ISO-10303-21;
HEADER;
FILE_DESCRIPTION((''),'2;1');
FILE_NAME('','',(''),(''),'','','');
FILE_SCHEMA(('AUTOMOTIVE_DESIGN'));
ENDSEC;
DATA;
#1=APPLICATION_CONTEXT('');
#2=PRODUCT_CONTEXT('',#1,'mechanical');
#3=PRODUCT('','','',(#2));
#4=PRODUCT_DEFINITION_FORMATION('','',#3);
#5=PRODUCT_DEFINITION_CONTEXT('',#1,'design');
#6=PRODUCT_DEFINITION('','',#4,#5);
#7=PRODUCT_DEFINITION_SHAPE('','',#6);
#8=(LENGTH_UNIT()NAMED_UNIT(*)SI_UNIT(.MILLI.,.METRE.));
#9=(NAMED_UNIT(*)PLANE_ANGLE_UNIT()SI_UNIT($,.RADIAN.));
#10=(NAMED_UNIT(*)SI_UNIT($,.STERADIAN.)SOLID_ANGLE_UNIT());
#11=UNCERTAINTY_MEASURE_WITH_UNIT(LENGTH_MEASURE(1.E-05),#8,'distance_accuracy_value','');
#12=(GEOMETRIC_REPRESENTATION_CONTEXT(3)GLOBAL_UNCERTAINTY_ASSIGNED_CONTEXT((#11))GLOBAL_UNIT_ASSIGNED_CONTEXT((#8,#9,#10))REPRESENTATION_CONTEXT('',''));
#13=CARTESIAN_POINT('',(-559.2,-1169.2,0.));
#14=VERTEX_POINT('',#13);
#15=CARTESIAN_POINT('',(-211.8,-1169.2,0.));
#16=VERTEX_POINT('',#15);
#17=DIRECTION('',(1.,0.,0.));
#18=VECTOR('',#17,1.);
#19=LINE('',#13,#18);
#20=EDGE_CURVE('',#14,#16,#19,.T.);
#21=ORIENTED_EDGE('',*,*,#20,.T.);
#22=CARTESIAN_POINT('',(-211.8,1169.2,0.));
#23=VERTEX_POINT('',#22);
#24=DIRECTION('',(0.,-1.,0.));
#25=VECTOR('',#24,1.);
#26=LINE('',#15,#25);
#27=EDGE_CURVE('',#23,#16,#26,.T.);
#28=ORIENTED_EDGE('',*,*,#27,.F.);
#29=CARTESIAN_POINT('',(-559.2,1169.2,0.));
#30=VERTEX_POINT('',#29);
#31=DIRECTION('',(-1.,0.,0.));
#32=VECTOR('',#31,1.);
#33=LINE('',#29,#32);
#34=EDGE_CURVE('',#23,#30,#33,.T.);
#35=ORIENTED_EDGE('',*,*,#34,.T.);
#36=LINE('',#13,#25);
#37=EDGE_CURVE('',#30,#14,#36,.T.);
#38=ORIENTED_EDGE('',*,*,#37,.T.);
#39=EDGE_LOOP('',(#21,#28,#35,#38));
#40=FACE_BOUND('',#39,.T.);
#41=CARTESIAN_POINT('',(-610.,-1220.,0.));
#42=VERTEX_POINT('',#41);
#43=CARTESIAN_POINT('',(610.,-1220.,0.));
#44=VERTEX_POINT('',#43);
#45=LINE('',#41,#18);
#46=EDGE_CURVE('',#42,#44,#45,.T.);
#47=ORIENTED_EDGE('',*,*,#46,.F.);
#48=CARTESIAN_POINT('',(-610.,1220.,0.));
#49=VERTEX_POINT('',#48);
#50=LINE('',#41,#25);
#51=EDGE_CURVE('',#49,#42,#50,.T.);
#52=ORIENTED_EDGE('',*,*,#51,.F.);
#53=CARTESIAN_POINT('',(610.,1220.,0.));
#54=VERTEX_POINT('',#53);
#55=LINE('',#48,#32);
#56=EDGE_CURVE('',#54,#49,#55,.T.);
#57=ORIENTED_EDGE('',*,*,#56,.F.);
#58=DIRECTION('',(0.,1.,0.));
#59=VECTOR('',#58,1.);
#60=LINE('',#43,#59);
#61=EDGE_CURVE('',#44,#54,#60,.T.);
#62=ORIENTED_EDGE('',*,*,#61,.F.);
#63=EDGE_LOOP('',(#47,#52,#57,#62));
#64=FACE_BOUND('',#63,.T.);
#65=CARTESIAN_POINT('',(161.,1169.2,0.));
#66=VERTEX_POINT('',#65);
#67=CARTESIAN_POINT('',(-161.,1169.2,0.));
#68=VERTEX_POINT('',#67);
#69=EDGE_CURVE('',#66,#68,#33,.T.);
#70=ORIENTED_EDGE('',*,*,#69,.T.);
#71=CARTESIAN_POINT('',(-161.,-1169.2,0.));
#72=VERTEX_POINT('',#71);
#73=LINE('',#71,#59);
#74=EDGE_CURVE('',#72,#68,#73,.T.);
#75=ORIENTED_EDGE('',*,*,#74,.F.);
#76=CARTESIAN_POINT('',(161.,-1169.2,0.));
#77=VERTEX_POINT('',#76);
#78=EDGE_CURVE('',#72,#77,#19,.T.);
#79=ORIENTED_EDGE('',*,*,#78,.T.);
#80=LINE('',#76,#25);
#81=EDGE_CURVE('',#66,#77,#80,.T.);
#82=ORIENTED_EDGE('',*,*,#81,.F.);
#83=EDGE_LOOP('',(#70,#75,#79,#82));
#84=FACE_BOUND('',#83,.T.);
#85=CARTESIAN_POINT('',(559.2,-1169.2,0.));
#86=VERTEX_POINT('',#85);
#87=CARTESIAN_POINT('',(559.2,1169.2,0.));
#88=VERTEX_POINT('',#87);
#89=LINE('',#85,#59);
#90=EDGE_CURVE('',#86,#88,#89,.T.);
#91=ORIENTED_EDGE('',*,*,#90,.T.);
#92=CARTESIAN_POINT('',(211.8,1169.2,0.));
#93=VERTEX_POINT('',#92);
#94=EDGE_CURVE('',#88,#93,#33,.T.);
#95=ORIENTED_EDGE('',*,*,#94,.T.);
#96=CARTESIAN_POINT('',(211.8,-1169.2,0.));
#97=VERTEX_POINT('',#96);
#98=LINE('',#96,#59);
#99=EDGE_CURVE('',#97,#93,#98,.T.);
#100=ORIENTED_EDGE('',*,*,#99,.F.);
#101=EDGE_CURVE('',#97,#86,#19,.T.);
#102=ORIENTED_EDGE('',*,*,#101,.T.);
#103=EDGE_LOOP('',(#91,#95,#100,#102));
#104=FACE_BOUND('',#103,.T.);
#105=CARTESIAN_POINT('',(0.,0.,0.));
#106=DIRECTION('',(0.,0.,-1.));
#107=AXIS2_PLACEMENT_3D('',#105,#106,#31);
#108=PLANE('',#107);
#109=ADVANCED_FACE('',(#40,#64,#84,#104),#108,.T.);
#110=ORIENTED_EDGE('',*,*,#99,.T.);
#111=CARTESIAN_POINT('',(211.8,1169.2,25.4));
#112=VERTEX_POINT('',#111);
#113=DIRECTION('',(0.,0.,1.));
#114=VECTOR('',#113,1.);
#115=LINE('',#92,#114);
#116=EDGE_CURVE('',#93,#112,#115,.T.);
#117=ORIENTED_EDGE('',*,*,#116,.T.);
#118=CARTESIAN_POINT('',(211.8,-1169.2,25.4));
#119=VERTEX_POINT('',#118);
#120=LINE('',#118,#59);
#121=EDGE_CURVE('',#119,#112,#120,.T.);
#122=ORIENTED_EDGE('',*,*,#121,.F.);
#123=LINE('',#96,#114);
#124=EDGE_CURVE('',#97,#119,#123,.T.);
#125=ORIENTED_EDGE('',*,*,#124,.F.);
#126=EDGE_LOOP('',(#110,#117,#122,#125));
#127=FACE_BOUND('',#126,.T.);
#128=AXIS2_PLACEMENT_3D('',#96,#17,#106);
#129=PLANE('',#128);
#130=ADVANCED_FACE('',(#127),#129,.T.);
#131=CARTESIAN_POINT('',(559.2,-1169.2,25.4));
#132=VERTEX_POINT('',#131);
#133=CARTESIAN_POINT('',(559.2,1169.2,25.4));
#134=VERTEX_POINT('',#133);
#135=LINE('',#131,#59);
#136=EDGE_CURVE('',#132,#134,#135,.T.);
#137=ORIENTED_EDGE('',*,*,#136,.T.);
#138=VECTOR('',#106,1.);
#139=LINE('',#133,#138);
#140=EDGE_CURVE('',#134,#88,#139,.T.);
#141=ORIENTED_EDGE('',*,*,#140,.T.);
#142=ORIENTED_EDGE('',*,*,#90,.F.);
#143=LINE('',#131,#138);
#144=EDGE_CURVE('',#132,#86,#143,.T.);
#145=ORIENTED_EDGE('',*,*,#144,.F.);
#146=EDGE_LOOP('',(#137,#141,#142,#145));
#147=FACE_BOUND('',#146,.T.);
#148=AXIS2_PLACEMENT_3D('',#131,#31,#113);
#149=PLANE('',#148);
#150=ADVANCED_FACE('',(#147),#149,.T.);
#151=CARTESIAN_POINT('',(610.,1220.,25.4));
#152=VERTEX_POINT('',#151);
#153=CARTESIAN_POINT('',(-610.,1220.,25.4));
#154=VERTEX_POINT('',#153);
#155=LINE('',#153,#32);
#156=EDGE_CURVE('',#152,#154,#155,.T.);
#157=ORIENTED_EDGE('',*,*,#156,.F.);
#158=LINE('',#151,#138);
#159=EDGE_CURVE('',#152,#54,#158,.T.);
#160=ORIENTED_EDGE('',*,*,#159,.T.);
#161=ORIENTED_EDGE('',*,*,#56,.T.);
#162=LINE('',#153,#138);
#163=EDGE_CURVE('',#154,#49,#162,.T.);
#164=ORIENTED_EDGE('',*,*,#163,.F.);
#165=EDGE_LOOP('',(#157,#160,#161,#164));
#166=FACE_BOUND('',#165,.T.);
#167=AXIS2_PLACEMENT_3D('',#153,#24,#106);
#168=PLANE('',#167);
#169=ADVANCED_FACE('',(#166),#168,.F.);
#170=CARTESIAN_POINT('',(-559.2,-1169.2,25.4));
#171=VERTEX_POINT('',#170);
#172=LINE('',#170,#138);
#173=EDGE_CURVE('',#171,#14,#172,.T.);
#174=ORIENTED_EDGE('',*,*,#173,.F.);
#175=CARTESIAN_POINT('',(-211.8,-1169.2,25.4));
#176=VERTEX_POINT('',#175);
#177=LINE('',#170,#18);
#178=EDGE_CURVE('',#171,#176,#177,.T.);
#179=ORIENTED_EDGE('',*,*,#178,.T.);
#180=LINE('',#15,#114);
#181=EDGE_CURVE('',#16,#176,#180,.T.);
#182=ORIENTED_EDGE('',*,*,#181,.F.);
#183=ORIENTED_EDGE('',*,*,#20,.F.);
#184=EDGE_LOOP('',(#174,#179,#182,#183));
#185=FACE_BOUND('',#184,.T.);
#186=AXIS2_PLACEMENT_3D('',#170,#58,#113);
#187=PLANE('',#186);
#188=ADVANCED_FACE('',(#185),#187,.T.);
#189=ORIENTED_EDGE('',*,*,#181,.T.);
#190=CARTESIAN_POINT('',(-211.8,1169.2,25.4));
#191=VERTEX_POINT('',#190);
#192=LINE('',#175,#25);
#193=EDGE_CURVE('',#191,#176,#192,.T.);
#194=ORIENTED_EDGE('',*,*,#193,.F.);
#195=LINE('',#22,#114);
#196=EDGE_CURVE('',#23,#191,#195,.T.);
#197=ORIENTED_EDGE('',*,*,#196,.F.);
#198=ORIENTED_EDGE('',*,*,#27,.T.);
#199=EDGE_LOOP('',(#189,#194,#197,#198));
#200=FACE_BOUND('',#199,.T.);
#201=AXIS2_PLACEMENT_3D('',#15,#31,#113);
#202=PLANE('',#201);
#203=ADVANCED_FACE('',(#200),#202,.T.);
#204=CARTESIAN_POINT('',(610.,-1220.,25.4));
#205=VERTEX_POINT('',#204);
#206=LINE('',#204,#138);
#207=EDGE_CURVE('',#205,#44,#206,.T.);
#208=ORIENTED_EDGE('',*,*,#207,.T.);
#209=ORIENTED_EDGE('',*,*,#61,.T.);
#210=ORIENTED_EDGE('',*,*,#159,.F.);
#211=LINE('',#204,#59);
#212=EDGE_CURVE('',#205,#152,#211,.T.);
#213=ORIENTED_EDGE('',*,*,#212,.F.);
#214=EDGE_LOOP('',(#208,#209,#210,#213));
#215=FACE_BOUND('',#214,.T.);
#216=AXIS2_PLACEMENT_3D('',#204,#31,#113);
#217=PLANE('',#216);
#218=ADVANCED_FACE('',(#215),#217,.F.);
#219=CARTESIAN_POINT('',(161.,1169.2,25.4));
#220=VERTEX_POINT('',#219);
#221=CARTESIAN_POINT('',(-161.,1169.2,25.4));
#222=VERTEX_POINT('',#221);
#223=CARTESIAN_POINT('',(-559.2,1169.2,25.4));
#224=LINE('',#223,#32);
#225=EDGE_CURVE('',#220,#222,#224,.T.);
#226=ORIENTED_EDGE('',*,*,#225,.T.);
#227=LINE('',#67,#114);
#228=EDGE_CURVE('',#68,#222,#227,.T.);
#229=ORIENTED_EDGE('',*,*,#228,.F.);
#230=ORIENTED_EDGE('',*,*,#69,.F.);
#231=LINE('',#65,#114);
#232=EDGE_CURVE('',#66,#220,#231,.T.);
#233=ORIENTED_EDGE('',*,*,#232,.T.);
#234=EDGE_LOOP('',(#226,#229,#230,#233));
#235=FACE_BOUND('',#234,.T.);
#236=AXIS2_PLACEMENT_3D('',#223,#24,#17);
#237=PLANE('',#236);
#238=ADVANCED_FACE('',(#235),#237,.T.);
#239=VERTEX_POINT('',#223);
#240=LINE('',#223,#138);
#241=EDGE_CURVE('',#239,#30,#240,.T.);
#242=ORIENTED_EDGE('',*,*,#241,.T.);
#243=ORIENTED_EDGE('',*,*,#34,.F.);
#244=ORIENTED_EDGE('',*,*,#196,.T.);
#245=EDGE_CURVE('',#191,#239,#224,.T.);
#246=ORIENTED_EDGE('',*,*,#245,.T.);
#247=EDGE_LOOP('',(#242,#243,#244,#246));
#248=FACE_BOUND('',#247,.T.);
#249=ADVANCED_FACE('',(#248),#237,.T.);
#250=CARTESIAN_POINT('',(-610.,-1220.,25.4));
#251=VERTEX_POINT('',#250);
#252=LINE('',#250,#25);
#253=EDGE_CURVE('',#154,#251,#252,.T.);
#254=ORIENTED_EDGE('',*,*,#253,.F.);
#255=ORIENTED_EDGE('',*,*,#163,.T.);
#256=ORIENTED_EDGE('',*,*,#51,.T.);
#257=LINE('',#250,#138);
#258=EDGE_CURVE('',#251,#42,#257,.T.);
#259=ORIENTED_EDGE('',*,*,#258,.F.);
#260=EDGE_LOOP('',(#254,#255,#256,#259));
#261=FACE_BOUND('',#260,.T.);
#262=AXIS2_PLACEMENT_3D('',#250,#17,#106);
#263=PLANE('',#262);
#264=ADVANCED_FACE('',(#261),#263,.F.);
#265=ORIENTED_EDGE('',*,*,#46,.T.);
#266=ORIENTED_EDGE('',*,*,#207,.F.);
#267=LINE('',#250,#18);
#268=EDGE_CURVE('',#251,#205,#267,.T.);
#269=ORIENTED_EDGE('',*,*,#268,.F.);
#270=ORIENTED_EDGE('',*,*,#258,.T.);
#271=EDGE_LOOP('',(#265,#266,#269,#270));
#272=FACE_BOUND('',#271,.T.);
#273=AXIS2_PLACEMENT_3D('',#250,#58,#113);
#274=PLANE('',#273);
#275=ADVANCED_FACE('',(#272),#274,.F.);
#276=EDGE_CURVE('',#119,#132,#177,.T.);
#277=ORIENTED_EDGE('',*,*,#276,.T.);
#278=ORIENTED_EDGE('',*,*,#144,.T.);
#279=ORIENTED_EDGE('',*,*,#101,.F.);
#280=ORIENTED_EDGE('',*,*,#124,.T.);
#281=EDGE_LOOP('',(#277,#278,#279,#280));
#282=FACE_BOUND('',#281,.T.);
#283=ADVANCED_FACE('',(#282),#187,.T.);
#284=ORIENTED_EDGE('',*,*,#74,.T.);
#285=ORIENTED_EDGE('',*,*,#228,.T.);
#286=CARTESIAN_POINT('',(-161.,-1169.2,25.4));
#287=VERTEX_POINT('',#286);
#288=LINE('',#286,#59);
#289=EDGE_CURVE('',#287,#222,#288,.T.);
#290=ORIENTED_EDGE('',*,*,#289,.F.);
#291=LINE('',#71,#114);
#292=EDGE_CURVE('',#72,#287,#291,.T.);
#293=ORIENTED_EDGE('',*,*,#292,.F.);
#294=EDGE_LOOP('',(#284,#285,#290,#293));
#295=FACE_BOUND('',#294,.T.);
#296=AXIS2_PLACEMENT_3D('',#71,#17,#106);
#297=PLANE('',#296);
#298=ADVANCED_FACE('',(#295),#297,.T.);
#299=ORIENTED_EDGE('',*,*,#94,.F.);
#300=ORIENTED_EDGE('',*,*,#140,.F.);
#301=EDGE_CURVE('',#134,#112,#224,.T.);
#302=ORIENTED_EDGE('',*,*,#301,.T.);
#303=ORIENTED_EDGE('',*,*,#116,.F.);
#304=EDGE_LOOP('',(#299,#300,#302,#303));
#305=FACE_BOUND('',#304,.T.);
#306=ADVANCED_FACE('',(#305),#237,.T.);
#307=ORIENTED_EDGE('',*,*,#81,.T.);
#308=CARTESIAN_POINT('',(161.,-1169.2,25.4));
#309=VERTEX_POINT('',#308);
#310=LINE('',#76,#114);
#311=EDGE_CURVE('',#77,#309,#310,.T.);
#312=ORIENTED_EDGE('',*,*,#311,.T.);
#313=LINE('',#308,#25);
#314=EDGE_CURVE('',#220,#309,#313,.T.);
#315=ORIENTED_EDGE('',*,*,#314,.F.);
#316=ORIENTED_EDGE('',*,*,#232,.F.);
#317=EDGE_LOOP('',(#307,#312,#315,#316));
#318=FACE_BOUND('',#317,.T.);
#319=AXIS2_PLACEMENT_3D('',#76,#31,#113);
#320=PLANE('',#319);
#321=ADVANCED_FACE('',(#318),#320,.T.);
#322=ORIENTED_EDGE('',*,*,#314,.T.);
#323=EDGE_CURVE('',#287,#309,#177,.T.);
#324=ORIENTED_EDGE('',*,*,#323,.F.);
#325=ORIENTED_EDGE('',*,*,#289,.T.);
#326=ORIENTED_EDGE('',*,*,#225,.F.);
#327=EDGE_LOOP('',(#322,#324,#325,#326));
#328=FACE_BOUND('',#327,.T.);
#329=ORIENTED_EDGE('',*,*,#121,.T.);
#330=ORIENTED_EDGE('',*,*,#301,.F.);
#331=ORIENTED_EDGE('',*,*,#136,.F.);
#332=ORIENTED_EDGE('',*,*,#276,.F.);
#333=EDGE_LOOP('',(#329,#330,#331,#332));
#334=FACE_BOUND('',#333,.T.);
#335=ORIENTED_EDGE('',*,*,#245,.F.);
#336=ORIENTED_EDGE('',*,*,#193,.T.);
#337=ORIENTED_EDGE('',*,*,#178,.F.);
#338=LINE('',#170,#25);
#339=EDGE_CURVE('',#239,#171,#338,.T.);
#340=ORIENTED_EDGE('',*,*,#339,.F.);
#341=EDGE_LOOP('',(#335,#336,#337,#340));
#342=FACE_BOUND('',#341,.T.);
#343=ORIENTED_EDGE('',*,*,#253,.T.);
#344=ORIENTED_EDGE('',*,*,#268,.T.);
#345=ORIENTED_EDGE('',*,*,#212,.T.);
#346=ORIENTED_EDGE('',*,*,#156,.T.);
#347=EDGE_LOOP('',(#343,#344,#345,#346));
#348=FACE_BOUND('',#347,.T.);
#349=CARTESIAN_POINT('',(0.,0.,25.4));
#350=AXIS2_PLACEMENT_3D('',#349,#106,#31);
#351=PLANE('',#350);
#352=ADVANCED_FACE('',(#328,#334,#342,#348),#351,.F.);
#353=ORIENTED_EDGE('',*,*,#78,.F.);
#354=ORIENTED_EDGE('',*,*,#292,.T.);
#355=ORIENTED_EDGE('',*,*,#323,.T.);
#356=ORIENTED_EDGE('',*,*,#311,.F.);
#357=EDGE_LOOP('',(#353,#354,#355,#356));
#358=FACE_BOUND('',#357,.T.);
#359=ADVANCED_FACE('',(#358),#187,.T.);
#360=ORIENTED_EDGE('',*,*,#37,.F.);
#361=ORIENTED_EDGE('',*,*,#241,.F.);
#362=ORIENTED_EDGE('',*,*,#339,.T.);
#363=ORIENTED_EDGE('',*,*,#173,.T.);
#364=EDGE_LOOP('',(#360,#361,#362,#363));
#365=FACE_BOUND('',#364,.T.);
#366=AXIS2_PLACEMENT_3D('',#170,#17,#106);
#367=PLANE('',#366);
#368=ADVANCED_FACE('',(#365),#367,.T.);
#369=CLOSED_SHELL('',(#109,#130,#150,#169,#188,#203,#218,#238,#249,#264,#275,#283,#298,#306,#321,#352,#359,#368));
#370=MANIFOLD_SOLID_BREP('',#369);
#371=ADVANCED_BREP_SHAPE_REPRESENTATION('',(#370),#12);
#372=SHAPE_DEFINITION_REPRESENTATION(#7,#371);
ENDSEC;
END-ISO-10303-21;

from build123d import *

# Parameters (mm, degrees)
CROQUIS1_W              = 1220
CROQUIS1_H              = 2440
CROQUIS1_W_2            = 1118.4
CROQUIS1_H_2            = 2338.4
SALIENTE_EXTRUIR1_DEPTH = 25.4
CROQUIS2_W              = 50.8
CROQUIS2_H              = 2338.4
SALIENTE_EXTRUIR2_DEPTH = 25.4


with BuildPart() as part:
    # Croquis1 → Saliente-Extruir1 (new body)
    with BuildSketch(Plane.XY):
        Rectangle(CROQUIS1_W, CROQUIS1_H)
        Rectangle(CROQUIS1_W_2, CROQUIS1_H_2, mode=Mode.SUBTRACT)
    extrude(amount=SALIENTE_EXTRUIR1_DEPTH)

    # Croquis2 → Saliente-Extruir2 (add)
    with BuildSketch(Plane.XY.offset(25.4)):
        with Locations((-186.4, 0)):
            Rectangle(CROQUIS2_W, CROQUIS2_H)
        with Locations((186.4, 0)):
            Rectangle(CROQUIS2_W, CROQUIS2_H)
    extrude(amount=-SALIENTE_EXTRUIR2_DEPTH)


solid = part.part
